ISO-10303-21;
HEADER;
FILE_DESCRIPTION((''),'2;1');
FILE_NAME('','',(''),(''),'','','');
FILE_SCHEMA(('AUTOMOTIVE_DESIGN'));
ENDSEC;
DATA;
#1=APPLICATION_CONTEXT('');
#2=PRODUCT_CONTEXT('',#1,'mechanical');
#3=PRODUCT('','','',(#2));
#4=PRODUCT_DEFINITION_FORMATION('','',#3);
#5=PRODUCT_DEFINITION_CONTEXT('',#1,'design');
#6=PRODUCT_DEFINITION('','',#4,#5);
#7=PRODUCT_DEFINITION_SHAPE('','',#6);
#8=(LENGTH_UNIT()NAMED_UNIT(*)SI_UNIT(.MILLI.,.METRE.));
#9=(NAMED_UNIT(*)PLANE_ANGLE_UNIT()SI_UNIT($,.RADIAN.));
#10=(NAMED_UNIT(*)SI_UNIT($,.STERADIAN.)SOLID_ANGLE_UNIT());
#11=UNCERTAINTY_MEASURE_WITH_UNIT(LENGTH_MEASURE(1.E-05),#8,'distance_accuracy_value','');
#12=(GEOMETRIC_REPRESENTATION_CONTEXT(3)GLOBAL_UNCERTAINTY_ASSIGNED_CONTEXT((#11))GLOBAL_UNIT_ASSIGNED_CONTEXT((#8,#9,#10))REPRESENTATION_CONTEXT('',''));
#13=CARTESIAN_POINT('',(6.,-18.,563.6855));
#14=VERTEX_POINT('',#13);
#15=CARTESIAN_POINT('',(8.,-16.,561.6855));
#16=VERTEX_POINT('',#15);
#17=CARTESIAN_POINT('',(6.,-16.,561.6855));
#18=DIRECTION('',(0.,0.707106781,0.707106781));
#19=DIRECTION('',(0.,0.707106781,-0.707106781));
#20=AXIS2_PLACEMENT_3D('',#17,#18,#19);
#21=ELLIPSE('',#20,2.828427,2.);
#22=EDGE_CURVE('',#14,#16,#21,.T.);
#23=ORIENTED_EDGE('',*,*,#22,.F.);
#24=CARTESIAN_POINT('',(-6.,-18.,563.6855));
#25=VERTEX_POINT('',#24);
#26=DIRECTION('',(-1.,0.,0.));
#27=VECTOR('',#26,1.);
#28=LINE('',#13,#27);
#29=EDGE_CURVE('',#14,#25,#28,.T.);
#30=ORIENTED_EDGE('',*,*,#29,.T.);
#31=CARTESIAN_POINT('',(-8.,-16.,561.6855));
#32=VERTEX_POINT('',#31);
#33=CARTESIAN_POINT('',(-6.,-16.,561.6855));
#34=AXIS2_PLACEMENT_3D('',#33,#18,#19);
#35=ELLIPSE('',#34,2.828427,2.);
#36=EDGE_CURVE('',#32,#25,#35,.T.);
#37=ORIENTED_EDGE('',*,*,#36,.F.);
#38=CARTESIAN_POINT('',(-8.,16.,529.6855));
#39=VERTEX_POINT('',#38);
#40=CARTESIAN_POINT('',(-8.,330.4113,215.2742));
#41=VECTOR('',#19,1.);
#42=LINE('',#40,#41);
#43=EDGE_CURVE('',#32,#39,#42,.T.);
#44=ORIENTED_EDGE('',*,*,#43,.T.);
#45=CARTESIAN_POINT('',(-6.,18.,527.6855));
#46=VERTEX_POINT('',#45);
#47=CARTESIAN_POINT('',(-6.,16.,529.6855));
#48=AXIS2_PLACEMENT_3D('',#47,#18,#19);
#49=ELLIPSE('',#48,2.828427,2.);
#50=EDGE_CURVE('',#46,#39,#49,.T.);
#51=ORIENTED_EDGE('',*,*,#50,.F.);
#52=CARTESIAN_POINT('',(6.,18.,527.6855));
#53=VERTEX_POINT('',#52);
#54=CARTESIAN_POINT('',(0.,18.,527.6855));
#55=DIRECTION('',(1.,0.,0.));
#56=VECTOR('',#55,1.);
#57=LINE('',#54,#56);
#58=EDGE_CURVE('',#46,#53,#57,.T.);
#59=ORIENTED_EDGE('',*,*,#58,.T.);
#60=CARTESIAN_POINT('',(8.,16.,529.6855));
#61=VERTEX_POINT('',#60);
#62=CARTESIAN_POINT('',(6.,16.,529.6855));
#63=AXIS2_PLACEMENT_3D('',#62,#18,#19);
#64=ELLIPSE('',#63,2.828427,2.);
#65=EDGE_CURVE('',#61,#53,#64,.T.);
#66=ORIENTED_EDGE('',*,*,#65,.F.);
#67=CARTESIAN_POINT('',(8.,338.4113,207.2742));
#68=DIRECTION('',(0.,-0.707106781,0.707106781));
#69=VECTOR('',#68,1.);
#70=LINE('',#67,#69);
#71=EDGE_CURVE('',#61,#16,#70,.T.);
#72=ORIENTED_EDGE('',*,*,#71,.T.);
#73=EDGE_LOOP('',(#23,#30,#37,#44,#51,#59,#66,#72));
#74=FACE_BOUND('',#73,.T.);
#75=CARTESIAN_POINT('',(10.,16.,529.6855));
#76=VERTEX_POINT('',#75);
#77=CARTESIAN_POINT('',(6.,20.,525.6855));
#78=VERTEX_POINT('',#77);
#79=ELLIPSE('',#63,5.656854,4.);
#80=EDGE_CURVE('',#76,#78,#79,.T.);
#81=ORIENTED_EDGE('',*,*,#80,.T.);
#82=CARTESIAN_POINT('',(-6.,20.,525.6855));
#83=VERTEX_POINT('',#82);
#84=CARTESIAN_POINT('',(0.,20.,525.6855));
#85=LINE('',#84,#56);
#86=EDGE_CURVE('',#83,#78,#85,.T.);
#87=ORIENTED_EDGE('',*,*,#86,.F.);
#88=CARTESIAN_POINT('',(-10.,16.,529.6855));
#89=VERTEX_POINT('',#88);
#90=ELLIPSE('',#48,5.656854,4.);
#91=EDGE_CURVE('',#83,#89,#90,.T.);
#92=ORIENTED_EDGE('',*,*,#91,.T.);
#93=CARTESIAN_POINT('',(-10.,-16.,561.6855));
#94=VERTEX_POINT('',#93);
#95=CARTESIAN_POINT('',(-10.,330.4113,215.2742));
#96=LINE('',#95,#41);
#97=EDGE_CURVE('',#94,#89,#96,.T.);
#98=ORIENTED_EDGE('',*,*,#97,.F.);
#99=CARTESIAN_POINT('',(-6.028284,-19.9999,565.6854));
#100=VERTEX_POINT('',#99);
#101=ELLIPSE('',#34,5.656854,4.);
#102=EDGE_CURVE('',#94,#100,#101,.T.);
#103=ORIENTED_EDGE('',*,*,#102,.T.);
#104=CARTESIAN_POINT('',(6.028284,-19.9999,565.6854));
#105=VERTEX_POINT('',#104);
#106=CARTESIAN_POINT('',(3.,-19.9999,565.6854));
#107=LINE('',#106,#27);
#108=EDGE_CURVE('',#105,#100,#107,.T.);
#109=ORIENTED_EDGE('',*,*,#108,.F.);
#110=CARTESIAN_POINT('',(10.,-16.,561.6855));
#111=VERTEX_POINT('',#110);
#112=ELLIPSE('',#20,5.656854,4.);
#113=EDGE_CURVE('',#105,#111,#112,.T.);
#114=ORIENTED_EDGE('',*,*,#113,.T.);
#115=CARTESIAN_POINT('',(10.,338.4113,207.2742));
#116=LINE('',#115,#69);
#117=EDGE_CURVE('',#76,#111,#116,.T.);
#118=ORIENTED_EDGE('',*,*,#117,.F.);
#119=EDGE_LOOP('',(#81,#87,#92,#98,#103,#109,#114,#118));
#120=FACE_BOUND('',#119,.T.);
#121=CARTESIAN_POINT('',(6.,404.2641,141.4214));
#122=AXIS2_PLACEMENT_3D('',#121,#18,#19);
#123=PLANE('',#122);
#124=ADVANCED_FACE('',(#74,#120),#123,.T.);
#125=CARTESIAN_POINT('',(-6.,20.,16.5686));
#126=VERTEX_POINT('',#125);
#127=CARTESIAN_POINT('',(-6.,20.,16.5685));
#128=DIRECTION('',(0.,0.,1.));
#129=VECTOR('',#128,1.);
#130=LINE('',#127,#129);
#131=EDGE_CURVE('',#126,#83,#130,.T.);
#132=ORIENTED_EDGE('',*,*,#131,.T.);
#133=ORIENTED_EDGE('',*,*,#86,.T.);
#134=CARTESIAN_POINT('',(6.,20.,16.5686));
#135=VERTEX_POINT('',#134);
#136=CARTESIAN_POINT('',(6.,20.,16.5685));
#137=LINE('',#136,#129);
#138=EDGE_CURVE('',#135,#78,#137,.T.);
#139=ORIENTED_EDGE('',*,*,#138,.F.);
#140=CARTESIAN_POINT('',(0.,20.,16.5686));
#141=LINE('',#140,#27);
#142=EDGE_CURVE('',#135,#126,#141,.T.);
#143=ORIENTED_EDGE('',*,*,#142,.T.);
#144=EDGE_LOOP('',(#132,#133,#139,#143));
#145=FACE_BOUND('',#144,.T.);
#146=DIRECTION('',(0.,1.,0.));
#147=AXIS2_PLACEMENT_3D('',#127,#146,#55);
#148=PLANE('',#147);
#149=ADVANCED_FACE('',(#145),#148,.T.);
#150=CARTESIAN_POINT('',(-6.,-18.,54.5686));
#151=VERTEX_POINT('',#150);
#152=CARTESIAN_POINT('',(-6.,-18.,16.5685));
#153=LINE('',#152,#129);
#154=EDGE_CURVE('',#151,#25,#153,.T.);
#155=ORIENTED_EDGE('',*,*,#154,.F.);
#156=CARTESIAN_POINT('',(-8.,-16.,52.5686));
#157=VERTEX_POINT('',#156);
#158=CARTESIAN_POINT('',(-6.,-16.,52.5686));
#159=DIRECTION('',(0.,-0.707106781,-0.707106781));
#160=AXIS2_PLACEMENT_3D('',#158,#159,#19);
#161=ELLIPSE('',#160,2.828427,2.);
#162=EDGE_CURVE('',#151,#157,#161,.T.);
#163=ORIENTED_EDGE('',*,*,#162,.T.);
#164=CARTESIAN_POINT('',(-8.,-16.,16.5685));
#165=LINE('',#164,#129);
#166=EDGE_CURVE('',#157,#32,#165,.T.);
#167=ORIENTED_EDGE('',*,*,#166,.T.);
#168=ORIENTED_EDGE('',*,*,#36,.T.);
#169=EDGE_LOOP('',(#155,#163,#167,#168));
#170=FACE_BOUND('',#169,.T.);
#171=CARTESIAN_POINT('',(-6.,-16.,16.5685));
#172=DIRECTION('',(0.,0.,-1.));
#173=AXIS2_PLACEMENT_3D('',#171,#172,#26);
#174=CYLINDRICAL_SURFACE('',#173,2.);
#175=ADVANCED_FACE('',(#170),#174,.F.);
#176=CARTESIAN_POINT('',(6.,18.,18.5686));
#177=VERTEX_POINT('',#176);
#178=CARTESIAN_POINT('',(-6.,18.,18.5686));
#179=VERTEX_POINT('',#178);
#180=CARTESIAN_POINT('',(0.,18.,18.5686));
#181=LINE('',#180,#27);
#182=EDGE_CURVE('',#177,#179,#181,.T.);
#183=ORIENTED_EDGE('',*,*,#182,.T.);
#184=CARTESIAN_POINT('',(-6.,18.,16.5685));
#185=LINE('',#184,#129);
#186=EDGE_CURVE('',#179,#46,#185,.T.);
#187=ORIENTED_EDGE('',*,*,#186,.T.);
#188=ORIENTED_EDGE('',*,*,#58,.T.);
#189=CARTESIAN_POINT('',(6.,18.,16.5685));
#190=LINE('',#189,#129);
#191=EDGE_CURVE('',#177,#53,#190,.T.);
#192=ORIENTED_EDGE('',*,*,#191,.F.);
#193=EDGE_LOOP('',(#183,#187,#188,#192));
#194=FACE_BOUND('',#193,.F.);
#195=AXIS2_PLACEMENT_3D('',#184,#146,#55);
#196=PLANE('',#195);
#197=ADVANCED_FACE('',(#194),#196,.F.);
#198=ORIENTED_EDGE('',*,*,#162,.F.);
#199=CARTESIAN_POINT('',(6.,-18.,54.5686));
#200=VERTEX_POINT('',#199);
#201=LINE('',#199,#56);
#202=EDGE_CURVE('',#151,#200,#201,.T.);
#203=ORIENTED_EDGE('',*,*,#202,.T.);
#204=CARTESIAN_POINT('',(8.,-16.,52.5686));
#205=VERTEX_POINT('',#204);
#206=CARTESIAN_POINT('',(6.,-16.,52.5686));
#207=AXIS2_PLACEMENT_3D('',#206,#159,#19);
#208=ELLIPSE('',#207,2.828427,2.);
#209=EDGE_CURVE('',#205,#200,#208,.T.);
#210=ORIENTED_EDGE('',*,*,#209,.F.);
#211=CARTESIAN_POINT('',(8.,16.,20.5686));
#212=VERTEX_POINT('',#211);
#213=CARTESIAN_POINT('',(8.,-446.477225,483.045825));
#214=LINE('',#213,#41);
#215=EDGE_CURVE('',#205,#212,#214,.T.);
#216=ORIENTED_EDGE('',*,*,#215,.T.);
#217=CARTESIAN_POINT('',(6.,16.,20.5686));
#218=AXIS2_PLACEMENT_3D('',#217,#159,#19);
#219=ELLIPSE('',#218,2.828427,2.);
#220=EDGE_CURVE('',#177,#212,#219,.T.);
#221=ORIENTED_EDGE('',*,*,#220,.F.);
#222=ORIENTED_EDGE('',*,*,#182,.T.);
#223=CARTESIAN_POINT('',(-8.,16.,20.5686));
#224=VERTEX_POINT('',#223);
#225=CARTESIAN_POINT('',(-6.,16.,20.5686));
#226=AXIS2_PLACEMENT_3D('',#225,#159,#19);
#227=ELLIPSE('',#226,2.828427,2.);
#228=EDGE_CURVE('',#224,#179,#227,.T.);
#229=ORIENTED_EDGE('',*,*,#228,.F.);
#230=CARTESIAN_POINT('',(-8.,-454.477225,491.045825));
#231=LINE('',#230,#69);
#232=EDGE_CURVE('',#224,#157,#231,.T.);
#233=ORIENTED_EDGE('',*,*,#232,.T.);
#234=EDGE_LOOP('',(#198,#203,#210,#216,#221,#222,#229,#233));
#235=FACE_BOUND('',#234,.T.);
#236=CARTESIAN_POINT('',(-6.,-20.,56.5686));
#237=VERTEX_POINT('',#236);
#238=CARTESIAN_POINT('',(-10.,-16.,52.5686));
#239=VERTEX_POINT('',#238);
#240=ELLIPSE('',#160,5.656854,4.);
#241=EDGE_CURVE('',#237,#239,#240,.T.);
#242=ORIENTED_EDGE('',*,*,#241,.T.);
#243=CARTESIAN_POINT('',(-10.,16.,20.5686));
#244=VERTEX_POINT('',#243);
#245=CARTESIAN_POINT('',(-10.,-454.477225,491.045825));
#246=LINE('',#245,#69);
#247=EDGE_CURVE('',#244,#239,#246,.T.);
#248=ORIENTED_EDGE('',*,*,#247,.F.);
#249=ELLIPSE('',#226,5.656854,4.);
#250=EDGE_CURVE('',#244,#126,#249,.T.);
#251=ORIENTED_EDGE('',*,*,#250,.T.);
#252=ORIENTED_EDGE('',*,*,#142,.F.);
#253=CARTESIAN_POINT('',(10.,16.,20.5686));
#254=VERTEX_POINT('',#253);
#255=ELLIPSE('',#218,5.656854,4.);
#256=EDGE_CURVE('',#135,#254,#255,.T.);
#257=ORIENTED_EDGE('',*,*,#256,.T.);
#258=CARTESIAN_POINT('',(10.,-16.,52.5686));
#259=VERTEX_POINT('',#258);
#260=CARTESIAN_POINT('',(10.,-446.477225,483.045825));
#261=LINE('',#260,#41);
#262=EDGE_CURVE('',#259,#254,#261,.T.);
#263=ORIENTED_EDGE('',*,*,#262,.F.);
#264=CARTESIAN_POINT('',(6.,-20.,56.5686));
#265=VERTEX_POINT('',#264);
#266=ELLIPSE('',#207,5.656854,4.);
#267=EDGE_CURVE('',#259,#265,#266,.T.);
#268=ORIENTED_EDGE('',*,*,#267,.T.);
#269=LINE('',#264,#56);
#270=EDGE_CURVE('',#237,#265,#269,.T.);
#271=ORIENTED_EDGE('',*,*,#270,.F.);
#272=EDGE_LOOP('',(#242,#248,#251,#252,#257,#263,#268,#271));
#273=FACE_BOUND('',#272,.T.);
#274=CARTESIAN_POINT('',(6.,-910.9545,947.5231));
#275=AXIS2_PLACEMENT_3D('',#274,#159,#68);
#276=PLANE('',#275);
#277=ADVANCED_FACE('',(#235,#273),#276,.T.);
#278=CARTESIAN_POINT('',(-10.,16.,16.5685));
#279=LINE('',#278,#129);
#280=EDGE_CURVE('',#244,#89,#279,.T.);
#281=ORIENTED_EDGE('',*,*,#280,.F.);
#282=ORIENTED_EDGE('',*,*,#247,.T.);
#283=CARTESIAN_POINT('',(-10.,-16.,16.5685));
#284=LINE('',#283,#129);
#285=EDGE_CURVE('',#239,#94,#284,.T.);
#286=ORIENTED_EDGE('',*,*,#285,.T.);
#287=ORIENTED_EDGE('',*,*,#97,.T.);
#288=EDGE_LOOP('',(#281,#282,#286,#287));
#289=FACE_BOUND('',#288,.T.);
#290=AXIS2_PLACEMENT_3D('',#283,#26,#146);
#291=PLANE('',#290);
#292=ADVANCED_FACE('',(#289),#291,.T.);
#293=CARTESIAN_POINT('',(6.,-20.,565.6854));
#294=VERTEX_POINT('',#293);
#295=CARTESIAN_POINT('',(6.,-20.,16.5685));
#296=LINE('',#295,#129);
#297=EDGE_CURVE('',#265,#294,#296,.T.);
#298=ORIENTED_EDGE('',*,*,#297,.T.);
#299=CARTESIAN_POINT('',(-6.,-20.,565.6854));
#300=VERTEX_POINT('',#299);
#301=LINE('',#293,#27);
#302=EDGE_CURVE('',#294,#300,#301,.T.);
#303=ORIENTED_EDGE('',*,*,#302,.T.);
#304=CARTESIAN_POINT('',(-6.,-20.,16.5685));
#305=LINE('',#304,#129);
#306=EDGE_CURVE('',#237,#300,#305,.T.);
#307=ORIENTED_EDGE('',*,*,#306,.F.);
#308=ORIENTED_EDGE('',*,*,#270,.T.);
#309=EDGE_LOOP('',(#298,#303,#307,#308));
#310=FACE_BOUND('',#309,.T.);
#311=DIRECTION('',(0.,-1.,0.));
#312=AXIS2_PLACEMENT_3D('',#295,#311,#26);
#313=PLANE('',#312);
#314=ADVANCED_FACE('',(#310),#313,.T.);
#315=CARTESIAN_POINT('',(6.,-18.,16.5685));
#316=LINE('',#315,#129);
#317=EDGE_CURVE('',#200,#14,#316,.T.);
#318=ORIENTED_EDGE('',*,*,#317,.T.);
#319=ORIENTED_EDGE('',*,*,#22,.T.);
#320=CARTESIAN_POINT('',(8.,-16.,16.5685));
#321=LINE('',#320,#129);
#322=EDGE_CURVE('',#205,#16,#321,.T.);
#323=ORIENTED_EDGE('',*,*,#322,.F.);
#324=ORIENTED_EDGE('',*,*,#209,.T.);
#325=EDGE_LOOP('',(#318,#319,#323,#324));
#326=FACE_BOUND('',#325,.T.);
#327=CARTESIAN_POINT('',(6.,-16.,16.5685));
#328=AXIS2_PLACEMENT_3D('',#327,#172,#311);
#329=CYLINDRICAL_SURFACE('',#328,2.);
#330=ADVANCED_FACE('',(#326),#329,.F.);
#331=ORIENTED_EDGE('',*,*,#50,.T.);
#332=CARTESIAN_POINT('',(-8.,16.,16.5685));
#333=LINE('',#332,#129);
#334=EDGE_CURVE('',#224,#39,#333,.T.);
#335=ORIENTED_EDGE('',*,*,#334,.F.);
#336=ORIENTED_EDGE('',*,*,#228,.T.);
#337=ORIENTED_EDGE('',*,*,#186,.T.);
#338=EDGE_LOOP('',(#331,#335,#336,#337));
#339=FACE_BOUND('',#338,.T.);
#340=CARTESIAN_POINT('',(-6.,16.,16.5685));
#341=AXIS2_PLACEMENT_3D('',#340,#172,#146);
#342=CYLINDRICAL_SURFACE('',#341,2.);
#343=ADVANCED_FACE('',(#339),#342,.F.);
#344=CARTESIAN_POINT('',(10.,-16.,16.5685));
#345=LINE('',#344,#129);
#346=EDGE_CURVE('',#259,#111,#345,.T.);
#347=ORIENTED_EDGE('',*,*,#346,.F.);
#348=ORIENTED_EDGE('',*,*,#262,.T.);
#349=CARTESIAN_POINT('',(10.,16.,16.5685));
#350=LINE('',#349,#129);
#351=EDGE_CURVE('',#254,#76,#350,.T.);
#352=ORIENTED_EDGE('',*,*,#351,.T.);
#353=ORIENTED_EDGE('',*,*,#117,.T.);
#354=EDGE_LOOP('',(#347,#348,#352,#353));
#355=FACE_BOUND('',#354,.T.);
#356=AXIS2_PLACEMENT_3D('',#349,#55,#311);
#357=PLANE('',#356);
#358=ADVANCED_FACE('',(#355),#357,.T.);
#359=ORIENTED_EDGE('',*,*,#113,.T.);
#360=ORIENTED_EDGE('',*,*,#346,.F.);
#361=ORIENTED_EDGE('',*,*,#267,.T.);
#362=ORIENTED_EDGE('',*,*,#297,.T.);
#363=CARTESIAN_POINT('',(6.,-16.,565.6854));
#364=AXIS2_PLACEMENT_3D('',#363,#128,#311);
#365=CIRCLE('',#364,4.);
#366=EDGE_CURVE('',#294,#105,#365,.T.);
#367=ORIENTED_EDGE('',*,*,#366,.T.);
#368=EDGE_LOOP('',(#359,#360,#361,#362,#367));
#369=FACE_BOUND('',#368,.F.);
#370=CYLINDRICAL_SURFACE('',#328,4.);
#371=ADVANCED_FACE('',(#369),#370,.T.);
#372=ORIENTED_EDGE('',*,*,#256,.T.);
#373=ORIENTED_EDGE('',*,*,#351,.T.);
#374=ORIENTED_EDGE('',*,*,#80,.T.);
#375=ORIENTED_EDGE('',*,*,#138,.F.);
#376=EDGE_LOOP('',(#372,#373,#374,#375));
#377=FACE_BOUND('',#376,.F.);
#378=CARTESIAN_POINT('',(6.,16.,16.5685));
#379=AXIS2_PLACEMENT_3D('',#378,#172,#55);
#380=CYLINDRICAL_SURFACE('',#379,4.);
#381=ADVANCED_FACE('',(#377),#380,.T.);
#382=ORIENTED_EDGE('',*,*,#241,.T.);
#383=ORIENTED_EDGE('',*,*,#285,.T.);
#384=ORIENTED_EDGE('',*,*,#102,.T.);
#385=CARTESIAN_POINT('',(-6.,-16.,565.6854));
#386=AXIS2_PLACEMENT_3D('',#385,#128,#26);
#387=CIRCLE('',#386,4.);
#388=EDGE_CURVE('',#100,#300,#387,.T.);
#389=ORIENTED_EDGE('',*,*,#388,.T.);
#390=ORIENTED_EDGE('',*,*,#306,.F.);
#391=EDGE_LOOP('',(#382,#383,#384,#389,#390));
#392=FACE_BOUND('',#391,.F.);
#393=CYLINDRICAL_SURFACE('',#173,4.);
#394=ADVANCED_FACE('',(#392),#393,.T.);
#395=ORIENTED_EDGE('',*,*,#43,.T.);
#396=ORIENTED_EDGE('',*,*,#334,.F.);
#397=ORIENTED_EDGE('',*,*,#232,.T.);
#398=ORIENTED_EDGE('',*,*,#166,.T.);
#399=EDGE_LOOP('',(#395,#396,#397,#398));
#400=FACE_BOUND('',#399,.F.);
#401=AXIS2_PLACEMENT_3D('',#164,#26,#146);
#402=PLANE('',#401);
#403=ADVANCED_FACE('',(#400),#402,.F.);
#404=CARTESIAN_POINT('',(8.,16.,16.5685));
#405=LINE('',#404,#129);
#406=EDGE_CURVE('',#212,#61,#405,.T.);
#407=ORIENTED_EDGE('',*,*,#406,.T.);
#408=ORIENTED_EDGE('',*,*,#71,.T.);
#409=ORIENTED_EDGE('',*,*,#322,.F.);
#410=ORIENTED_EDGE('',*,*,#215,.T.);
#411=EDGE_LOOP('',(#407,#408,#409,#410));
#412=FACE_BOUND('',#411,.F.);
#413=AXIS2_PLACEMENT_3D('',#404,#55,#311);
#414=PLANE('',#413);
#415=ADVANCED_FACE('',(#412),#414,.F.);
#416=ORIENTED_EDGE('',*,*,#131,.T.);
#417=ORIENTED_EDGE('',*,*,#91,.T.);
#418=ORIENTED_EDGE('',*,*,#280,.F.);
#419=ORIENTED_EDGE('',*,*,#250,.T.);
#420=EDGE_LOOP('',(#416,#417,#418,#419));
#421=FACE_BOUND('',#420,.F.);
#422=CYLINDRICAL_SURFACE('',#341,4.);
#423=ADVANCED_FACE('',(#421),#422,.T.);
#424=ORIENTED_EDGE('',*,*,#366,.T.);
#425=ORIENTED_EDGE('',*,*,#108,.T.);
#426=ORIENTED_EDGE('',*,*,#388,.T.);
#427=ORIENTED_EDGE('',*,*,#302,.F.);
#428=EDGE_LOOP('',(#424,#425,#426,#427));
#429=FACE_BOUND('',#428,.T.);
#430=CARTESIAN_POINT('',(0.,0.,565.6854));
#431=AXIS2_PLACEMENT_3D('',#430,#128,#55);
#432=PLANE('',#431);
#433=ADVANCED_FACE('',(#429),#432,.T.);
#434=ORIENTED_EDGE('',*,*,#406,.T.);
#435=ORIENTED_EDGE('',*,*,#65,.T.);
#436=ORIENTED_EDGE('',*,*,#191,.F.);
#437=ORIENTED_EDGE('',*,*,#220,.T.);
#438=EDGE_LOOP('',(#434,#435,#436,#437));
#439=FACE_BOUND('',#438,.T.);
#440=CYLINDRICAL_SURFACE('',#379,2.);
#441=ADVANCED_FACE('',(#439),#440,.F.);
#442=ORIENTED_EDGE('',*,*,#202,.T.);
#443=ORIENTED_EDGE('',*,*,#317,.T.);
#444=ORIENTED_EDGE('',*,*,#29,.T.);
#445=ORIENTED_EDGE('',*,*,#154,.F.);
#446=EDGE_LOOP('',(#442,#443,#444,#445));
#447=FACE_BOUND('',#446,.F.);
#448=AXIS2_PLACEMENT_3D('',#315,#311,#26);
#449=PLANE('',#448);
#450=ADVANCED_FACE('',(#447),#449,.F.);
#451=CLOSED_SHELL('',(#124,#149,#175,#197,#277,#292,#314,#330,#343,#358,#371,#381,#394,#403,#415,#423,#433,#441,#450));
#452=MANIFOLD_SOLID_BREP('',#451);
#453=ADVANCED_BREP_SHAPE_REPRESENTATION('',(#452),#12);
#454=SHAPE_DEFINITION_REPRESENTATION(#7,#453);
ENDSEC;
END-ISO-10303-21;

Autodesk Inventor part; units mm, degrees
ref_plane "Start Plane" through (0, 0, 16.5685) normal (0, 0, 1) x (1, 0, 0)
ref_plane "End Plane" through (0, 0, 565.6854) normal (0, 0, 1) x (1, 0, 0)
sketch "Sketch" plane through (0, 0, 0) normal (0, 0, 1) x (1, 0, 0)
  line L0 (-10, -16) -> (-10, 16)
  line L1 (-6, 20) -> (6, 20)
  line L2 (10, 16) -> (10, -16)
  line L3 (6, -20) -> (-6, -20)
  arc A0 (-10, -16) -> (-6, -20) centre (-6, -16) ccw
  arc A1 (10, 16) -> (6, 20) centre (6, 16) ccw
  arc A2 (-6, 20) -> (-10, 16) centre (-6, 16) ccw
  arc A3 (6, -20) -> (10, -16) centre (6, -16) ccw
  arc A4 (-6, 18) -> (-8, 16) centre (-6, 16) ccw
  line L4 (-6, 18) -> (6, 18)
  arc A5 (8, 16) -> (6, 18) centre (6, 16) ccw
  line L5 (8, 16) -> (8, -16)
  arc A6 (6, -18) -> (8, -16) centre (6, -16) ccw
  line L6 (6, -18) -> (-6, -18)
  arc A7 (-8, -16) -> (-6, -18) centre (-6, -16) ccw
  line L7 (-8, -16) -> (-8, 16)
  line L8 (0, 29.1598) -> (0, -29.1598) construction
  line L9 (-15.1598, 0) -> (15.1598, 0) construction
  dimension "d7" = 4
  dimension "d9" = 20
  dimension "d11" = 40
  dimension "d12" = 2
  dimension "d15" = 10
  dimension "d16" = 20
extrude "Body" add sketch "Sketch" along normal up to surface (549.1169 mm away) from surface at 16.5685
sketch "Sketch3" plane through (0, 0, 0) normal (0, 0, 1) x (1, 0, 0)
  line L0 (0, 0) -> (10, 0)
ref_plane "Work Plane3" through (0, 0, 0) normal (0, -1, 0) x (1, 0, 0)
sketch "Sketch4" plane through (0, 0, 0) normal (0, -1, 0) x (1, 0, 0)
  line L0 (-2, 16.5685) -> (12, 16.5685)
  line L1 (-2, 565.6854) -> (12, 565.6854)
  dimension "d18" = 549.1169
ref_plane "Work Plane4" through (6, -910.9545, 947.5231) normal (0, -0.7071, -0.7071) x (1, 0, 0)
split "Split1" plane through (6, -910.9545, 947.5231) removes the side toward (0, -0.7071, -0.7071)
ref_plane "Work Plane5" through (6, 404.2641, 141.4214) normal (0, 0.7071, 0.7071) x (1, 0, 0)
split "Split2" plane through (6, 404.2641, 141.4214) removes the side toward (0, 0.7071, 0.7071)
equation "\"d7\" = G_IR"
equation "\"d9\" = G_W"
equation "\"d11\" = G_H"
equation "\"d12\" = G_T"
equation "\"d15\" = 0.5 * d9"
equation "\"d16\" = 0.5 * d11"
equation "\"d3\" = G_L"
equation "\"G_W\" = 20"
equation "\"G_H\" = 40"
equation "\"G_T\" = 2"
equation "\"G_IR\" = 4"
equation "\"G_L\" = d18"
equation "\"G_OFFSET_START\" = -16.56854"
equation "\"G_OFFSET_END\" = 0"
equation "\"d13\" = -G_OFFSET_START"
equation "\"d14\" = G_OFFSET_END + B_L"
equation "\"B_L\" = 565.68542"
properties part number "ISO 10799-2 - 40x20x2 - 549.12" material "Steel, Mild"
